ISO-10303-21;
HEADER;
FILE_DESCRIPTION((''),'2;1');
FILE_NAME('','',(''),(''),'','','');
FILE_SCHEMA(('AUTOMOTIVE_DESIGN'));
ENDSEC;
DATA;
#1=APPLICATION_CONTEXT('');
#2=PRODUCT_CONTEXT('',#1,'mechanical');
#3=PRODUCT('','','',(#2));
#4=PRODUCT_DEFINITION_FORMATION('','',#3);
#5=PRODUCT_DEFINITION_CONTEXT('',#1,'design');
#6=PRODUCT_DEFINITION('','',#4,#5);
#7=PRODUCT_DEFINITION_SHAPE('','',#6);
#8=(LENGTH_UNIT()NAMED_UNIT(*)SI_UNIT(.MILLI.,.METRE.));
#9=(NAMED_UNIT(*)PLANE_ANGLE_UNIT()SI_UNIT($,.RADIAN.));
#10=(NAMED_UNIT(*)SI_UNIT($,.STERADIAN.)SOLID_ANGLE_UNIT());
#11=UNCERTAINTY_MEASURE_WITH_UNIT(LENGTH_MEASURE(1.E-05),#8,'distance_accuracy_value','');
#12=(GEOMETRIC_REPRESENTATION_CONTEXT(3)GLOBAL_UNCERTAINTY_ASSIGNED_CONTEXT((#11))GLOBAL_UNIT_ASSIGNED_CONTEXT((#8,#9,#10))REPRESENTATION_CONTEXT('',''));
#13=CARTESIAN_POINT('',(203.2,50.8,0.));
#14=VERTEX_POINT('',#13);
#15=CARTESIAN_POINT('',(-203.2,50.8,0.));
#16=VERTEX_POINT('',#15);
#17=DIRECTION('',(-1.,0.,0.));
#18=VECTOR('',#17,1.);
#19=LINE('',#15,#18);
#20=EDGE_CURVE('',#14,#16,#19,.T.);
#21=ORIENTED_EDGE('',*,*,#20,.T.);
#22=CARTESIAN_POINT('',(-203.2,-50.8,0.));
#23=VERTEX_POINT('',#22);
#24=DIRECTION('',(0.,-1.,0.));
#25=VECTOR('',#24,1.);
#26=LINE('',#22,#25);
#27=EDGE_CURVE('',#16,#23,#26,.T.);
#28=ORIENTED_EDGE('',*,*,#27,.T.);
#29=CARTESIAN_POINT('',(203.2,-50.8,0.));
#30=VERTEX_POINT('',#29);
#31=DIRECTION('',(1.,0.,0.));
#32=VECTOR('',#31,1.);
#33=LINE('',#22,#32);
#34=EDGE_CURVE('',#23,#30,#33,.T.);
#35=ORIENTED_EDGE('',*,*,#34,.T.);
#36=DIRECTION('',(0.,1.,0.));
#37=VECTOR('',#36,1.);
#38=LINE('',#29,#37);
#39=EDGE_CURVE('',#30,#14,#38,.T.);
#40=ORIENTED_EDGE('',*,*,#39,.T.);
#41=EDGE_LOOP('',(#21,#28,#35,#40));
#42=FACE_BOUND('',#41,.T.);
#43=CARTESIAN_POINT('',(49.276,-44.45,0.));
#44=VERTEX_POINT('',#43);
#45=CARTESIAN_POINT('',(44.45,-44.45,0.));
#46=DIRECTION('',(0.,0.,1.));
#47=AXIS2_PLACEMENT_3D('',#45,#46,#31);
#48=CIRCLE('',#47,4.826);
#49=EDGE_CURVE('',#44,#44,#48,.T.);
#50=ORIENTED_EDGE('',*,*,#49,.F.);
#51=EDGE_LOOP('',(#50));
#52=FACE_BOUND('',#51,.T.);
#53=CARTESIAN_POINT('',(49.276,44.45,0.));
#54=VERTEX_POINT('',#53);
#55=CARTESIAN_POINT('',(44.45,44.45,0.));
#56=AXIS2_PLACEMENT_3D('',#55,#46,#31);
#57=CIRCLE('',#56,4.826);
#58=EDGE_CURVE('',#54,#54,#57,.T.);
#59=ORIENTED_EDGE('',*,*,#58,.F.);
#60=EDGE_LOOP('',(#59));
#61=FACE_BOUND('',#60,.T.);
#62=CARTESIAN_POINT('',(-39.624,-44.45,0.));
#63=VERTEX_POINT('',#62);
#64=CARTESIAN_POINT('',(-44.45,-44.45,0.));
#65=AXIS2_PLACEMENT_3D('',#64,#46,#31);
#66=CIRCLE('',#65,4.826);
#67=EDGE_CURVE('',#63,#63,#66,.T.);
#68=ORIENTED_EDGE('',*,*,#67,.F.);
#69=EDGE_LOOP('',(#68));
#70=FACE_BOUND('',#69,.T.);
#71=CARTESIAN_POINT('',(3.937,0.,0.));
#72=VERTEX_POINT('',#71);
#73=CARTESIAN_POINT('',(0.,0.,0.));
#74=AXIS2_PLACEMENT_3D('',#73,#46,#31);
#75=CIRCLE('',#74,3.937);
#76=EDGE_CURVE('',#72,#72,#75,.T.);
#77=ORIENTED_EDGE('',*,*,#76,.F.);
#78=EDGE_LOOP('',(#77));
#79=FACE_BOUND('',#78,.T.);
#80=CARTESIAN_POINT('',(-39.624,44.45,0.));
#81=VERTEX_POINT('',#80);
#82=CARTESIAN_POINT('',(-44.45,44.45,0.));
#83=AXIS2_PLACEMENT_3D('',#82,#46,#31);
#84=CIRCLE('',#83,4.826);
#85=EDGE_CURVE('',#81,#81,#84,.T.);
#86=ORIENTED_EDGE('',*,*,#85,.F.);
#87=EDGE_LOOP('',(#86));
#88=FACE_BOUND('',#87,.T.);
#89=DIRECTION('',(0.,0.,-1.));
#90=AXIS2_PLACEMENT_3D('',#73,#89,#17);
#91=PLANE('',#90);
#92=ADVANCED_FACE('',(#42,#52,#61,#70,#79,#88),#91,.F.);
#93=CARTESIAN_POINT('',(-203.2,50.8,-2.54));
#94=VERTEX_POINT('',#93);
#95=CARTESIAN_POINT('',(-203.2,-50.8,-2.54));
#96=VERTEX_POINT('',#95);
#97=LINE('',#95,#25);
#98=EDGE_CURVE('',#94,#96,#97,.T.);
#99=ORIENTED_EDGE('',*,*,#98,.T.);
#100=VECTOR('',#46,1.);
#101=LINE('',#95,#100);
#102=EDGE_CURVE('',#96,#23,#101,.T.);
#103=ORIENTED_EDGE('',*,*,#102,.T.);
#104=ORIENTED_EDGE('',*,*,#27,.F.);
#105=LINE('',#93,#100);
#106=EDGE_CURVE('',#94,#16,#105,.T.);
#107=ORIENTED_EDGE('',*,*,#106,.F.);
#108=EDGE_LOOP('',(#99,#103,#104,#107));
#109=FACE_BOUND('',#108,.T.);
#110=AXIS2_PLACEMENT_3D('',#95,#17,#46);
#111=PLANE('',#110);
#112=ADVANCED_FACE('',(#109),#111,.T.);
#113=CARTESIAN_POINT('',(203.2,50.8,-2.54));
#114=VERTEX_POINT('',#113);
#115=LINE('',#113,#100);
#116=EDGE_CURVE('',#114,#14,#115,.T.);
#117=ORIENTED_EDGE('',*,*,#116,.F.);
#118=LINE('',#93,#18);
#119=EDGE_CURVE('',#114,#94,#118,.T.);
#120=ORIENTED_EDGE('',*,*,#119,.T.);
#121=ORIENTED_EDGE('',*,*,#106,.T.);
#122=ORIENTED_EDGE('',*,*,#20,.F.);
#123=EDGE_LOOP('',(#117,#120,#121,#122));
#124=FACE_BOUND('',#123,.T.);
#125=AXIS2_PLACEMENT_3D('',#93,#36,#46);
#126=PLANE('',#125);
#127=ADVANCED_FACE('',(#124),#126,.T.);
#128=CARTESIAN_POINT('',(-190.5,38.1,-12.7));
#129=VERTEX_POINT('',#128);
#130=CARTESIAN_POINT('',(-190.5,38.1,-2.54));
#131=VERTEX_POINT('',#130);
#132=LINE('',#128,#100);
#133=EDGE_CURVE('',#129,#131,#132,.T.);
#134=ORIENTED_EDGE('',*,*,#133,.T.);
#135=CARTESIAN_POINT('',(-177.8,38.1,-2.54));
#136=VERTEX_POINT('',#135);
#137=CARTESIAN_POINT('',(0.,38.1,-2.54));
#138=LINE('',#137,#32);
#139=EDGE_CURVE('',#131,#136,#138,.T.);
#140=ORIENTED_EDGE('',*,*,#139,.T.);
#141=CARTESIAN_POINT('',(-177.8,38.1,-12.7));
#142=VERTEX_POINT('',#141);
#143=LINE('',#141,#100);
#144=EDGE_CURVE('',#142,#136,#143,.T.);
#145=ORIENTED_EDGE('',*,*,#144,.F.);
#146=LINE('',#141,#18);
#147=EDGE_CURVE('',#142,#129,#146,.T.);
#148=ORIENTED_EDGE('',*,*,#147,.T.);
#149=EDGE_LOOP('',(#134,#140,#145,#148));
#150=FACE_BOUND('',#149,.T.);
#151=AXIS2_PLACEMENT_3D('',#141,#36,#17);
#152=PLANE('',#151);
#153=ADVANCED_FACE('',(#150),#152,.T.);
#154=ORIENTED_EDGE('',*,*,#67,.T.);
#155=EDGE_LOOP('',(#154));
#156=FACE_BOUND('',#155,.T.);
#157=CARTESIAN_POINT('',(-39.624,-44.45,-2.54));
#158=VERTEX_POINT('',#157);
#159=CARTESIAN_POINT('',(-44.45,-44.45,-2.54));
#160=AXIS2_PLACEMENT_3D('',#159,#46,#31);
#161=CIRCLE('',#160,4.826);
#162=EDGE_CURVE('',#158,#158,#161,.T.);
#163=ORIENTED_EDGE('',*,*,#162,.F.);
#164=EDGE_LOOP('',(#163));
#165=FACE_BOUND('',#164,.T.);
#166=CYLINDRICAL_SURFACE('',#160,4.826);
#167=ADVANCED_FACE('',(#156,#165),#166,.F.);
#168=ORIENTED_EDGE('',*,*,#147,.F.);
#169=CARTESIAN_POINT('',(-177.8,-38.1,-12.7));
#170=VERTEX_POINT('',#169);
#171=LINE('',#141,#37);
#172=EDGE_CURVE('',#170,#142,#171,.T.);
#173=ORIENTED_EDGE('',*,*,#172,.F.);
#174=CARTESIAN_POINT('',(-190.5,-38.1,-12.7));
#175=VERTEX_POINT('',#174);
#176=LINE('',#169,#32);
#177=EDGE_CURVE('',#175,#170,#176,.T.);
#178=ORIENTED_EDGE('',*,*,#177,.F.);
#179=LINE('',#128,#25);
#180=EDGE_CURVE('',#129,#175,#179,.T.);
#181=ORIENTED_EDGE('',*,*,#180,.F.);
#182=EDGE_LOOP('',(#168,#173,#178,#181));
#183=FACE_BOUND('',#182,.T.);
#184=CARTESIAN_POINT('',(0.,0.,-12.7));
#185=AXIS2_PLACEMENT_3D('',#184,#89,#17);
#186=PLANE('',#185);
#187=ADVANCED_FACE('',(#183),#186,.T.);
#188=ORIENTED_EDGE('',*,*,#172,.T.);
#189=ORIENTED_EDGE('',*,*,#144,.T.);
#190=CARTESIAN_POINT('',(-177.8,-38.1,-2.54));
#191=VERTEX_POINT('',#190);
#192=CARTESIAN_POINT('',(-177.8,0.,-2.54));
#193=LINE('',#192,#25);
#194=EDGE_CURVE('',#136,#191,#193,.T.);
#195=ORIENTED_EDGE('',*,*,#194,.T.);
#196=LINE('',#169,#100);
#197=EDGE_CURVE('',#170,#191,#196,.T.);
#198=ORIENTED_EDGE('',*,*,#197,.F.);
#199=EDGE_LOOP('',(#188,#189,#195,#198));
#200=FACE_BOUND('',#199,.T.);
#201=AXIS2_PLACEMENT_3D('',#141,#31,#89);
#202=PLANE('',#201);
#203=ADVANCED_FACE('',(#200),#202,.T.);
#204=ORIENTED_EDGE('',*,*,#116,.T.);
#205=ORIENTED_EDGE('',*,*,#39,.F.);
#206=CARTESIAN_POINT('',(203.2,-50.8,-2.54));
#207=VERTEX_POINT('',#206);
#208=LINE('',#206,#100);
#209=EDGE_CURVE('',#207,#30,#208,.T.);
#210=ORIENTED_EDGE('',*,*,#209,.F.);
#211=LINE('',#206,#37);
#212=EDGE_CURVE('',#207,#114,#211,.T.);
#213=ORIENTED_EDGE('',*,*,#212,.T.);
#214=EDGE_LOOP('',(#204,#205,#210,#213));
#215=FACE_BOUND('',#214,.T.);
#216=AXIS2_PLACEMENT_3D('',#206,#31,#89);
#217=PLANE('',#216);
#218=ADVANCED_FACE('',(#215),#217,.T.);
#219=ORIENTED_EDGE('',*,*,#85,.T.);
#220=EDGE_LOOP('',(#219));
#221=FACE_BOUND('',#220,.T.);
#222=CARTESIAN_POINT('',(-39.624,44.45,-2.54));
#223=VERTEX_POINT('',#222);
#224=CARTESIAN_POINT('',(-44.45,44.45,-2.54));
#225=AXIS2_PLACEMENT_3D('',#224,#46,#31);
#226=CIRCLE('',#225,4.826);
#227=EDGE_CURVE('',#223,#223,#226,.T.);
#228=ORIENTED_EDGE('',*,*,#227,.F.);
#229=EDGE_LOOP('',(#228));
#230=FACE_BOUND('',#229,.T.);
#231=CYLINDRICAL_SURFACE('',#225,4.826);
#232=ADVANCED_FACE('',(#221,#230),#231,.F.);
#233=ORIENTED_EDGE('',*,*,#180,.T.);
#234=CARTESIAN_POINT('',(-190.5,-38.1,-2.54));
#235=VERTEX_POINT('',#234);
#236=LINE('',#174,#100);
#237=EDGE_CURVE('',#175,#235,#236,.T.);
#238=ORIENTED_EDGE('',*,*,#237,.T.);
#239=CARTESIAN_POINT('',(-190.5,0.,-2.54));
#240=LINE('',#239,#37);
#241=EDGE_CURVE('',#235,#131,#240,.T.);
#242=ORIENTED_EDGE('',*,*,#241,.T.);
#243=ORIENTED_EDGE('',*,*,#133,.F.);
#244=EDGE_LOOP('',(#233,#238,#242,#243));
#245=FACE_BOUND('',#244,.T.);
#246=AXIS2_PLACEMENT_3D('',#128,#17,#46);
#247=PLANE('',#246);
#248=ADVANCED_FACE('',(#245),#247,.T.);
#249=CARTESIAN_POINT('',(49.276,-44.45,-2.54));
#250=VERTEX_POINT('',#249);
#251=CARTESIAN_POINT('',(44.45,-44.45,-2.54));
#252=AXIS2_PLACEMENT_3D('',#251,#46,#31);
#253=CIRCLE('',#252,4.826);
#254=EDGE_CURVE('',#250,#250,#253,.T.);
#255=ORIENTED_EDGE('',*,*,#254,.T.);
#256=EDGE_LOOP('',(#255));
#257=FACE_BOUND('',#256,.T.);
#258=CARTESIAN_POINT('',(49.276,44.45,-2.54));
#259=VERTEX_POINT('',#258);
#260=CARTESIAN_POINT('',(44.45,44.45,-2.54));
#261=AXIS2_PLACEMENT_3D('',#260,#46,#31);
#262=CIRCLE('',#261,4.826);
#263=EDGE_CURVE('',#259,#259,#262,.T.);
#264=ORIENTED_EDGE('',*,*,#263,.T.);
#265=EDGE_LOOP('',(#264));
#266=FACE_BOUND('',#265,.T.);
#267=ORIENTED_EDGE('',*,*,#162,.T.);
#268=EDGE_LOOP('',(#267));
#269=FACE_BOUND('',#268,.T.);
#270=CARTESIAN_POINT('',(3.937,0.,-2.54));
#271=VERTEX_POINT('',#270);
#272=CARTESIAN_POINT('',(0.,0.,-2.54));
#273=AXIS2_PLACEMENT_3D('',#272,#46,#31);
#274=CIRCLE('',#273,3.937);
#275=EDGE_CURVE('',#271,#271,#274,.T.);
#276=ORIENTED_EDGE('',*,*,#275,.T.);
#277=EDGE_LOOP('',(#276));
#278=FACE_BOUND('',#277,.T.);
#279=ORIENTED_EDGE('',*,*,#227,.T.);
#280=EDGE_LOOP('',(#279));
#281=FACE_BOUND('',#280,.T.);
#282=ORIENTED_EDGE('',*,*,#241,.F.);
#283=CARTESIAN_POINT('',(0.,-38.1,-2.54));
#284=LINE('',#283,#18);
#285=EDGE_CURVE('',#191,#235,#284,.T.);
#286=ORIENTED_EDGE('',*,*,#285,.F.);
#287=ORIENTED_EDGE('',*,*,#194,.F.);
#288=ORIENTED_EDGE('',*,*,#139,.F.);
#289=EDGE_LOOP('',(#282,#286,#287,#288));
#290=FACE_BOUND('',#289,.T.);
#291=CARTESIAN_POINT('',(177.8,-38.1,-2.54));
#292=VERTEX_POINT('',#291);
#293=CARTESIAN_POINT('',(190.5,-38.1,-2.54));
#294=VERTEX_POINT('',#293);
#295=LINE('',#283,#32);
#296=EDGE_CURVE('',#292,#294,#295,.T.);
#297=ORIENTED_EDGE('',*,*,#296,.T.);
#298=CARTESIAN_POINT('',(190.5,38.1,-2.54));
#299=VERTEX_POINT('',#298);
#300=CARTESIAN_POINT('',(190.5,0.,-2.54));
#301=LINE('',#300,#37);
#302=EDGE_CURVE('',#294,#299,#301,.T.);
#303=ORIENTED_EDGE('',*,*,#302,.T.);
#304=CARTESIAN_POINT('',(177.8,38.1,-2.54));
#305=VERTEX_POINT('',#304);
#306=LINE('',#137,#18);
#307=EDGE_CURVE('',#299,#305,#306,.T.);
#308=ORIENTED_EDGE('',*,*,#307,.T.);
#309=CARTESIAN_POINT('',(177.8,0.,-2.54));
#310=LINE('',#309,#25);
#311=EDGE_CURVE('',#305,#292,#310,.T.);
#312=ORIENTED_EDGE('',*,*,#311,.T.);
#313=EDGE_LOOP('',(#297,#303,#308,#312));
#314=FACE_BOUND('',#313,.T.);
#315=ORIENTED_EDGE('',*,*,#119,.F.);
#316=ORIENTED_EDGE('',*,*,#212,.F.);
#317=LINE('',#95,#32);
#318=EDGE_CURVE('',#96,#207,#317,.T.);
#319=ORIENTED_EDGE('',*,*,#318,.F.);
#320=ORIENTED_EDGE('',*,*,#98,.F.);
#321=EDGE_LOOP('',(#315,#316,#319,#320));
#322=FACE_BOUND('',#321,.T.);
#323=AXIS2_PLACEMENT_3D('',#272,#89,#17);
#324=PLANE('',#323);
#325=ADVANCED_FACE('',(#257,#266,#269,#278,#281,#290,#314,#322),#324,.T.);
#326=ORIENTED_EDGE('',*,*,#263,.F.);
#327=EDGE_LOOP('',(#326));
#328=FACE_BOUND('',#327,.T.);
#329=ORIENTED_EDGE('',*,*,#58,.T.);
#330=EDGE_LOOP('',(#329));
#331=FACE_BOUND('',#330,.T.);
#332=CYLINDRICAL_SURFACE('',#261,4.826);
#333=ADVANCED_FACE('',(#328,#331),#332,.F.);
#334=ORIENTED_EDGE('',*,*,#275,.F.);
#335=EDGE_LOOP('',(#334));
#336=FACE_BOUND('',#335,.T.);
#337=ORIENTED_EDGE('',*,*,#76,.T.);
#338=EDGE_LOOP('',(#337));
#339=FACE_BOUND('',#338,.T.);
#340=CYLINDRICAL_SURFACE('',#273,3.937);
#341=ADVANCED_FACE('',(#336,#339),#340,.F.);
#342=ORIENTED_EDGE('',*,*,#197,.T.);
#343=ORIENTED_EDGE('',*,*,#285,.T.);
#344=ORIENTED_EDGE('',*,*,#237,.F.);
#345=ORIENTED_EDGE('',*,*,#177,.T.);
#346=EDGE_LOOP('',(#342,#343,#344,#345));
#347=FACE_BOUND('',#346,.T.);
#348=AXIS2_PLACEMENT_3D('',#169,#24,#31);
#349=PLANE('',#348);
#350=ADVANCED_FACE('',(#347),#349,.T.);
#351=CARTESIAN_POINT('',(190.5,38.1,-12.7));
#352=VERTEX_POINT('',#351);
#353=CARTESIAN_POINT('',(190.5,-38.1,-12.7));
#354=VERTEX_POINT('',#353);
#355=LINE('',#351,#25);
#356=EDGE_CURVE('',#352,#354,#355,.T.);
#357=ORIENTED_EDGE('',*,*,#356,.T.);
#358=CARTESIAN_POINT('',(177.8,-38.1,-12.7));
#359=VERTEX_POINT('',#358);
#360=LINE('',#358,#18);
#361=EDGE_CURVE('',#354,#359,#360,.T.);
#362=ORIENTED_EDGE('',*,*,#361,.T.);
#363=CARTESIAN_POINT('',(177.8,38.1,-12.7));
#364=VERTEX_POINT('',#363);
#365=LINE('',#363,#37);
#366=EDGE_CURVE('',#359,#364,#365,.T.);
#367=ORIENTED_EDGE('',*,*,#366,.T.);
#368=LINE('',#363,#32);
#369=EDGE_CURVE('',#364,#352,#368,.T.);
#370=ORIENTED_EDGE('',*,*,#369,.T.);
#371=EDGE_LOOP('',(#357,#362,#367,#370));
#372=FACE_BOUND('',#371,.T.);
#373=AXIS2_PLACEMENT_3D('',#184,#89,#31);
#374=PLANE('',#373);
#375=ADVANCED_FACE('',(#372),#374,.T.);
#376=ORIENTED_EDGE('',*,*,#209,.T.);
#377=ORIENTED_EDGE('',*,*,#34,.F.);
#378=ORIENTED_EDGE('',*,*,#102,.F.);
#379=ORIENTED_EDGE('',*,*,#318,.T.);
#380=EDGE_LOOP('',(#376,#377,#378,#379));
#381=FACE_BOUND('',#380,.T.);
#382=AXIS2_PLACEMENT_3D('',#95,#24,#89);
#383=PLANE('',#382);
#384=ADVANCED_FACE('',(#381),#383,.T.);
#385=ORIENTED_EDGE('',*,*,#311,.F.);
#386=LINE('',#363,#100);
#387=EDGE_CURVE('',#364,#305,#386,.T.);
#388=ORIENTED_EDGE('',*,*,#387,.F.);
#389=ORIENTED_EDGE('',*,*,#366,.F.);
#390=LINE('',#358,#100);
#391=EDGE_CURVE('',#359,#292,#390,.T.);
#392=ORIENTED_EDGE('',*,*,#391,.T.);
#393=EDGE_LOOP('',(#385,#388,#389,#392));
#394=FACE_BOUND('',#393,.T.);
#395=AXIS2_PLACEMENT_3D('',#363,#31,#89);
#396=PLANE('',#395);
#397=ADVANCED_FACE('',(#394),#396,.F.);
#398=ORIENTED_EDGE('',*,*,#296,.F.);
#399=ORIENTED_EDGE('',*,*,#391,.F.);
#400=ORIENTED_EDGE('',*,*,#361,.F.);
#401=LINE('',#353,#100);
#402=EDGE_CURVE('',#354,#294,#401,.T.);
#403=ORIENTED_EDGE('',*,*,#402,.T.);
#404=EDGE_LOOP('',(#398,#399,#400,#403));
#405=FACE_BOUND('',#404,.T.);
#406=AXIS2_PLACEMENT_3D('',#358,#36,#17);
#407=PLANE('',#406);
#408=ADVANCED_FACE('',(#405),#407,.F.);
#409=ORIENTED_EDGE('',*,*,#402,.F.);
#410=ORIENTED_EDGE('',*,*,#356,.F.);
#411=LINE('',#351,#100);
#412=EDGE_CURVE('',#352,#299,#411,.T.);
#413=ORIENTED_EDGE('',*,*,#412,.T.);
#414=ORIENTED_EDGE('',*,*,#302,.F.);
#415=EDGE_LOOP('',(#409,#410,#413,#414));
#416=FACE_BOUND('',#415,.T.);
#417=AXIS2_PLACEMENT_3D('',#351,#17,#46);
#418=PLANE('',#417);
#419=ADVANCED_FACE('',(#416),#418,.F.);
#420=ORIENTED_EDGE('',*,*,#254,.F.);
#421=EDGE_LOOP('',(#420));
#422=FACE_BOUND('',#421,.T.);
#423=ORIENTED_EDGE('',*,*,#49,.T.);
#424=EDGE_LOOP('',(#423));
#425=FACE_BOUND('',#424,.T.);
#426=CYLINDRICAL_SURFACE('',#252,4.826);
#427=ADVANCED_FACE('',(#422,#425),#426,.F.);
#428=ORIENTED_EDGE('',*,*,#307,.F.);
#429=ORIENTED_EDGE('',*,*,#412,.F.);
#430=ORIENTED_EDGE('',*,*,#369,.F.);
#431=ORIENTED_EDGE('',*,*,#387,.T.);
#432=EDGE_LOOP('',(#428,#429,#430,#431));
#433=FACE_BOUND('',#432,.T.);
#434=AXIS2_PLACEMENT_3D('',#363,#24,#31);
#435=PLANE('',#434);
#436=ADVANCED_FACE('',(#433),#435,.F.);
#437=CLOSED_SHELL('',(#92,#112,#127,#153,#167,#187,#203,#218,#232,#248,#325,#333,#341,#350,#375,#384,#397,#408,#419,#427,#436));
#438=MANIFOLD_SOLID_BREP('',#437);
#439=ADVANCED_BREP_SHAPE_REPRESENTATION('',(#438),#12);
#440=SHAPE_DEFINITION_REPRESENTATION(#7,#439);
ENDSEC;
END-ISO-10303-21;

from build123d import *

# Parameters (mm, degrees)
SKETCH2_W           = 406.4
SKETCH2_H           = 101.6
BOSS_EXTRUDE2_DEPTH = 2.54
SKETCH3_R           = 4.826
CUT_EXTRUDE1_DEPTH  = 2.54
SKETCH4_R           = 3.937
CUT_EXTRUDE2_DEPTH  = 2.54
SKETCH5_W           = 12.7
SKETCH5_H           = 76.2
BOSS_EXTRUDE4_DEPTH = 12.7


with BuildPart() as part:
    # Sketch2 → Boss-Extrude2 (new body)
    with BuildSketch(Plane.XY):
        Rectangle(SKETCH2_W, SKETCH2_H)
    extrude(amount=-BOSS_EXTRUDE2_DEPTH)

    # Sketch3 → Cut-Extrude1 (cut)
    with BuildSketch(Plane.XY):
        with Locations((-44.45, 44.45)):
            Circle(SKETCH3_R)
        with Locations((44.45, 44.45)):
            Circle(SKETCH3_R)
        with Locations((44.45, -44.45)):
            Circle(SKETCH3_R)
        with Locations((-44.45, -44.45)):
            Circle(SKETCH3_R)
    extrude(amount=-CUT_EXTRUDE1_DEPTH, mode=Mode.SUBTRACT)

    # Sketch4 → Cut-Extrude2 (cut)
    with BuildSketch(Plane.XY):
        Circle(SKETCH4_R)
    extrude(amount=-CUT_EXTRUDE2_DEPTH, mode=Mode.SUBTRACT)

    # Sketch5 → Boss-Extrude4 (add)
    with BuildSketch(Plane.XY):
        with Locations((-184.15, 0)):
            Rectangle(SKETCH5_W, SKETCH5_H)
    boss_extrude4 = extrude(amount=-BOSS_EXTRUDE4_DEPTH)

    # Mirror2: Boss-Extrude4 across plane
    add(boss_extrude4.mirror(Plane(origin=(0, 0, 0), x_dir=(0, 0, 1), z_dir=(1, 0, 0))))


solid = part.part
